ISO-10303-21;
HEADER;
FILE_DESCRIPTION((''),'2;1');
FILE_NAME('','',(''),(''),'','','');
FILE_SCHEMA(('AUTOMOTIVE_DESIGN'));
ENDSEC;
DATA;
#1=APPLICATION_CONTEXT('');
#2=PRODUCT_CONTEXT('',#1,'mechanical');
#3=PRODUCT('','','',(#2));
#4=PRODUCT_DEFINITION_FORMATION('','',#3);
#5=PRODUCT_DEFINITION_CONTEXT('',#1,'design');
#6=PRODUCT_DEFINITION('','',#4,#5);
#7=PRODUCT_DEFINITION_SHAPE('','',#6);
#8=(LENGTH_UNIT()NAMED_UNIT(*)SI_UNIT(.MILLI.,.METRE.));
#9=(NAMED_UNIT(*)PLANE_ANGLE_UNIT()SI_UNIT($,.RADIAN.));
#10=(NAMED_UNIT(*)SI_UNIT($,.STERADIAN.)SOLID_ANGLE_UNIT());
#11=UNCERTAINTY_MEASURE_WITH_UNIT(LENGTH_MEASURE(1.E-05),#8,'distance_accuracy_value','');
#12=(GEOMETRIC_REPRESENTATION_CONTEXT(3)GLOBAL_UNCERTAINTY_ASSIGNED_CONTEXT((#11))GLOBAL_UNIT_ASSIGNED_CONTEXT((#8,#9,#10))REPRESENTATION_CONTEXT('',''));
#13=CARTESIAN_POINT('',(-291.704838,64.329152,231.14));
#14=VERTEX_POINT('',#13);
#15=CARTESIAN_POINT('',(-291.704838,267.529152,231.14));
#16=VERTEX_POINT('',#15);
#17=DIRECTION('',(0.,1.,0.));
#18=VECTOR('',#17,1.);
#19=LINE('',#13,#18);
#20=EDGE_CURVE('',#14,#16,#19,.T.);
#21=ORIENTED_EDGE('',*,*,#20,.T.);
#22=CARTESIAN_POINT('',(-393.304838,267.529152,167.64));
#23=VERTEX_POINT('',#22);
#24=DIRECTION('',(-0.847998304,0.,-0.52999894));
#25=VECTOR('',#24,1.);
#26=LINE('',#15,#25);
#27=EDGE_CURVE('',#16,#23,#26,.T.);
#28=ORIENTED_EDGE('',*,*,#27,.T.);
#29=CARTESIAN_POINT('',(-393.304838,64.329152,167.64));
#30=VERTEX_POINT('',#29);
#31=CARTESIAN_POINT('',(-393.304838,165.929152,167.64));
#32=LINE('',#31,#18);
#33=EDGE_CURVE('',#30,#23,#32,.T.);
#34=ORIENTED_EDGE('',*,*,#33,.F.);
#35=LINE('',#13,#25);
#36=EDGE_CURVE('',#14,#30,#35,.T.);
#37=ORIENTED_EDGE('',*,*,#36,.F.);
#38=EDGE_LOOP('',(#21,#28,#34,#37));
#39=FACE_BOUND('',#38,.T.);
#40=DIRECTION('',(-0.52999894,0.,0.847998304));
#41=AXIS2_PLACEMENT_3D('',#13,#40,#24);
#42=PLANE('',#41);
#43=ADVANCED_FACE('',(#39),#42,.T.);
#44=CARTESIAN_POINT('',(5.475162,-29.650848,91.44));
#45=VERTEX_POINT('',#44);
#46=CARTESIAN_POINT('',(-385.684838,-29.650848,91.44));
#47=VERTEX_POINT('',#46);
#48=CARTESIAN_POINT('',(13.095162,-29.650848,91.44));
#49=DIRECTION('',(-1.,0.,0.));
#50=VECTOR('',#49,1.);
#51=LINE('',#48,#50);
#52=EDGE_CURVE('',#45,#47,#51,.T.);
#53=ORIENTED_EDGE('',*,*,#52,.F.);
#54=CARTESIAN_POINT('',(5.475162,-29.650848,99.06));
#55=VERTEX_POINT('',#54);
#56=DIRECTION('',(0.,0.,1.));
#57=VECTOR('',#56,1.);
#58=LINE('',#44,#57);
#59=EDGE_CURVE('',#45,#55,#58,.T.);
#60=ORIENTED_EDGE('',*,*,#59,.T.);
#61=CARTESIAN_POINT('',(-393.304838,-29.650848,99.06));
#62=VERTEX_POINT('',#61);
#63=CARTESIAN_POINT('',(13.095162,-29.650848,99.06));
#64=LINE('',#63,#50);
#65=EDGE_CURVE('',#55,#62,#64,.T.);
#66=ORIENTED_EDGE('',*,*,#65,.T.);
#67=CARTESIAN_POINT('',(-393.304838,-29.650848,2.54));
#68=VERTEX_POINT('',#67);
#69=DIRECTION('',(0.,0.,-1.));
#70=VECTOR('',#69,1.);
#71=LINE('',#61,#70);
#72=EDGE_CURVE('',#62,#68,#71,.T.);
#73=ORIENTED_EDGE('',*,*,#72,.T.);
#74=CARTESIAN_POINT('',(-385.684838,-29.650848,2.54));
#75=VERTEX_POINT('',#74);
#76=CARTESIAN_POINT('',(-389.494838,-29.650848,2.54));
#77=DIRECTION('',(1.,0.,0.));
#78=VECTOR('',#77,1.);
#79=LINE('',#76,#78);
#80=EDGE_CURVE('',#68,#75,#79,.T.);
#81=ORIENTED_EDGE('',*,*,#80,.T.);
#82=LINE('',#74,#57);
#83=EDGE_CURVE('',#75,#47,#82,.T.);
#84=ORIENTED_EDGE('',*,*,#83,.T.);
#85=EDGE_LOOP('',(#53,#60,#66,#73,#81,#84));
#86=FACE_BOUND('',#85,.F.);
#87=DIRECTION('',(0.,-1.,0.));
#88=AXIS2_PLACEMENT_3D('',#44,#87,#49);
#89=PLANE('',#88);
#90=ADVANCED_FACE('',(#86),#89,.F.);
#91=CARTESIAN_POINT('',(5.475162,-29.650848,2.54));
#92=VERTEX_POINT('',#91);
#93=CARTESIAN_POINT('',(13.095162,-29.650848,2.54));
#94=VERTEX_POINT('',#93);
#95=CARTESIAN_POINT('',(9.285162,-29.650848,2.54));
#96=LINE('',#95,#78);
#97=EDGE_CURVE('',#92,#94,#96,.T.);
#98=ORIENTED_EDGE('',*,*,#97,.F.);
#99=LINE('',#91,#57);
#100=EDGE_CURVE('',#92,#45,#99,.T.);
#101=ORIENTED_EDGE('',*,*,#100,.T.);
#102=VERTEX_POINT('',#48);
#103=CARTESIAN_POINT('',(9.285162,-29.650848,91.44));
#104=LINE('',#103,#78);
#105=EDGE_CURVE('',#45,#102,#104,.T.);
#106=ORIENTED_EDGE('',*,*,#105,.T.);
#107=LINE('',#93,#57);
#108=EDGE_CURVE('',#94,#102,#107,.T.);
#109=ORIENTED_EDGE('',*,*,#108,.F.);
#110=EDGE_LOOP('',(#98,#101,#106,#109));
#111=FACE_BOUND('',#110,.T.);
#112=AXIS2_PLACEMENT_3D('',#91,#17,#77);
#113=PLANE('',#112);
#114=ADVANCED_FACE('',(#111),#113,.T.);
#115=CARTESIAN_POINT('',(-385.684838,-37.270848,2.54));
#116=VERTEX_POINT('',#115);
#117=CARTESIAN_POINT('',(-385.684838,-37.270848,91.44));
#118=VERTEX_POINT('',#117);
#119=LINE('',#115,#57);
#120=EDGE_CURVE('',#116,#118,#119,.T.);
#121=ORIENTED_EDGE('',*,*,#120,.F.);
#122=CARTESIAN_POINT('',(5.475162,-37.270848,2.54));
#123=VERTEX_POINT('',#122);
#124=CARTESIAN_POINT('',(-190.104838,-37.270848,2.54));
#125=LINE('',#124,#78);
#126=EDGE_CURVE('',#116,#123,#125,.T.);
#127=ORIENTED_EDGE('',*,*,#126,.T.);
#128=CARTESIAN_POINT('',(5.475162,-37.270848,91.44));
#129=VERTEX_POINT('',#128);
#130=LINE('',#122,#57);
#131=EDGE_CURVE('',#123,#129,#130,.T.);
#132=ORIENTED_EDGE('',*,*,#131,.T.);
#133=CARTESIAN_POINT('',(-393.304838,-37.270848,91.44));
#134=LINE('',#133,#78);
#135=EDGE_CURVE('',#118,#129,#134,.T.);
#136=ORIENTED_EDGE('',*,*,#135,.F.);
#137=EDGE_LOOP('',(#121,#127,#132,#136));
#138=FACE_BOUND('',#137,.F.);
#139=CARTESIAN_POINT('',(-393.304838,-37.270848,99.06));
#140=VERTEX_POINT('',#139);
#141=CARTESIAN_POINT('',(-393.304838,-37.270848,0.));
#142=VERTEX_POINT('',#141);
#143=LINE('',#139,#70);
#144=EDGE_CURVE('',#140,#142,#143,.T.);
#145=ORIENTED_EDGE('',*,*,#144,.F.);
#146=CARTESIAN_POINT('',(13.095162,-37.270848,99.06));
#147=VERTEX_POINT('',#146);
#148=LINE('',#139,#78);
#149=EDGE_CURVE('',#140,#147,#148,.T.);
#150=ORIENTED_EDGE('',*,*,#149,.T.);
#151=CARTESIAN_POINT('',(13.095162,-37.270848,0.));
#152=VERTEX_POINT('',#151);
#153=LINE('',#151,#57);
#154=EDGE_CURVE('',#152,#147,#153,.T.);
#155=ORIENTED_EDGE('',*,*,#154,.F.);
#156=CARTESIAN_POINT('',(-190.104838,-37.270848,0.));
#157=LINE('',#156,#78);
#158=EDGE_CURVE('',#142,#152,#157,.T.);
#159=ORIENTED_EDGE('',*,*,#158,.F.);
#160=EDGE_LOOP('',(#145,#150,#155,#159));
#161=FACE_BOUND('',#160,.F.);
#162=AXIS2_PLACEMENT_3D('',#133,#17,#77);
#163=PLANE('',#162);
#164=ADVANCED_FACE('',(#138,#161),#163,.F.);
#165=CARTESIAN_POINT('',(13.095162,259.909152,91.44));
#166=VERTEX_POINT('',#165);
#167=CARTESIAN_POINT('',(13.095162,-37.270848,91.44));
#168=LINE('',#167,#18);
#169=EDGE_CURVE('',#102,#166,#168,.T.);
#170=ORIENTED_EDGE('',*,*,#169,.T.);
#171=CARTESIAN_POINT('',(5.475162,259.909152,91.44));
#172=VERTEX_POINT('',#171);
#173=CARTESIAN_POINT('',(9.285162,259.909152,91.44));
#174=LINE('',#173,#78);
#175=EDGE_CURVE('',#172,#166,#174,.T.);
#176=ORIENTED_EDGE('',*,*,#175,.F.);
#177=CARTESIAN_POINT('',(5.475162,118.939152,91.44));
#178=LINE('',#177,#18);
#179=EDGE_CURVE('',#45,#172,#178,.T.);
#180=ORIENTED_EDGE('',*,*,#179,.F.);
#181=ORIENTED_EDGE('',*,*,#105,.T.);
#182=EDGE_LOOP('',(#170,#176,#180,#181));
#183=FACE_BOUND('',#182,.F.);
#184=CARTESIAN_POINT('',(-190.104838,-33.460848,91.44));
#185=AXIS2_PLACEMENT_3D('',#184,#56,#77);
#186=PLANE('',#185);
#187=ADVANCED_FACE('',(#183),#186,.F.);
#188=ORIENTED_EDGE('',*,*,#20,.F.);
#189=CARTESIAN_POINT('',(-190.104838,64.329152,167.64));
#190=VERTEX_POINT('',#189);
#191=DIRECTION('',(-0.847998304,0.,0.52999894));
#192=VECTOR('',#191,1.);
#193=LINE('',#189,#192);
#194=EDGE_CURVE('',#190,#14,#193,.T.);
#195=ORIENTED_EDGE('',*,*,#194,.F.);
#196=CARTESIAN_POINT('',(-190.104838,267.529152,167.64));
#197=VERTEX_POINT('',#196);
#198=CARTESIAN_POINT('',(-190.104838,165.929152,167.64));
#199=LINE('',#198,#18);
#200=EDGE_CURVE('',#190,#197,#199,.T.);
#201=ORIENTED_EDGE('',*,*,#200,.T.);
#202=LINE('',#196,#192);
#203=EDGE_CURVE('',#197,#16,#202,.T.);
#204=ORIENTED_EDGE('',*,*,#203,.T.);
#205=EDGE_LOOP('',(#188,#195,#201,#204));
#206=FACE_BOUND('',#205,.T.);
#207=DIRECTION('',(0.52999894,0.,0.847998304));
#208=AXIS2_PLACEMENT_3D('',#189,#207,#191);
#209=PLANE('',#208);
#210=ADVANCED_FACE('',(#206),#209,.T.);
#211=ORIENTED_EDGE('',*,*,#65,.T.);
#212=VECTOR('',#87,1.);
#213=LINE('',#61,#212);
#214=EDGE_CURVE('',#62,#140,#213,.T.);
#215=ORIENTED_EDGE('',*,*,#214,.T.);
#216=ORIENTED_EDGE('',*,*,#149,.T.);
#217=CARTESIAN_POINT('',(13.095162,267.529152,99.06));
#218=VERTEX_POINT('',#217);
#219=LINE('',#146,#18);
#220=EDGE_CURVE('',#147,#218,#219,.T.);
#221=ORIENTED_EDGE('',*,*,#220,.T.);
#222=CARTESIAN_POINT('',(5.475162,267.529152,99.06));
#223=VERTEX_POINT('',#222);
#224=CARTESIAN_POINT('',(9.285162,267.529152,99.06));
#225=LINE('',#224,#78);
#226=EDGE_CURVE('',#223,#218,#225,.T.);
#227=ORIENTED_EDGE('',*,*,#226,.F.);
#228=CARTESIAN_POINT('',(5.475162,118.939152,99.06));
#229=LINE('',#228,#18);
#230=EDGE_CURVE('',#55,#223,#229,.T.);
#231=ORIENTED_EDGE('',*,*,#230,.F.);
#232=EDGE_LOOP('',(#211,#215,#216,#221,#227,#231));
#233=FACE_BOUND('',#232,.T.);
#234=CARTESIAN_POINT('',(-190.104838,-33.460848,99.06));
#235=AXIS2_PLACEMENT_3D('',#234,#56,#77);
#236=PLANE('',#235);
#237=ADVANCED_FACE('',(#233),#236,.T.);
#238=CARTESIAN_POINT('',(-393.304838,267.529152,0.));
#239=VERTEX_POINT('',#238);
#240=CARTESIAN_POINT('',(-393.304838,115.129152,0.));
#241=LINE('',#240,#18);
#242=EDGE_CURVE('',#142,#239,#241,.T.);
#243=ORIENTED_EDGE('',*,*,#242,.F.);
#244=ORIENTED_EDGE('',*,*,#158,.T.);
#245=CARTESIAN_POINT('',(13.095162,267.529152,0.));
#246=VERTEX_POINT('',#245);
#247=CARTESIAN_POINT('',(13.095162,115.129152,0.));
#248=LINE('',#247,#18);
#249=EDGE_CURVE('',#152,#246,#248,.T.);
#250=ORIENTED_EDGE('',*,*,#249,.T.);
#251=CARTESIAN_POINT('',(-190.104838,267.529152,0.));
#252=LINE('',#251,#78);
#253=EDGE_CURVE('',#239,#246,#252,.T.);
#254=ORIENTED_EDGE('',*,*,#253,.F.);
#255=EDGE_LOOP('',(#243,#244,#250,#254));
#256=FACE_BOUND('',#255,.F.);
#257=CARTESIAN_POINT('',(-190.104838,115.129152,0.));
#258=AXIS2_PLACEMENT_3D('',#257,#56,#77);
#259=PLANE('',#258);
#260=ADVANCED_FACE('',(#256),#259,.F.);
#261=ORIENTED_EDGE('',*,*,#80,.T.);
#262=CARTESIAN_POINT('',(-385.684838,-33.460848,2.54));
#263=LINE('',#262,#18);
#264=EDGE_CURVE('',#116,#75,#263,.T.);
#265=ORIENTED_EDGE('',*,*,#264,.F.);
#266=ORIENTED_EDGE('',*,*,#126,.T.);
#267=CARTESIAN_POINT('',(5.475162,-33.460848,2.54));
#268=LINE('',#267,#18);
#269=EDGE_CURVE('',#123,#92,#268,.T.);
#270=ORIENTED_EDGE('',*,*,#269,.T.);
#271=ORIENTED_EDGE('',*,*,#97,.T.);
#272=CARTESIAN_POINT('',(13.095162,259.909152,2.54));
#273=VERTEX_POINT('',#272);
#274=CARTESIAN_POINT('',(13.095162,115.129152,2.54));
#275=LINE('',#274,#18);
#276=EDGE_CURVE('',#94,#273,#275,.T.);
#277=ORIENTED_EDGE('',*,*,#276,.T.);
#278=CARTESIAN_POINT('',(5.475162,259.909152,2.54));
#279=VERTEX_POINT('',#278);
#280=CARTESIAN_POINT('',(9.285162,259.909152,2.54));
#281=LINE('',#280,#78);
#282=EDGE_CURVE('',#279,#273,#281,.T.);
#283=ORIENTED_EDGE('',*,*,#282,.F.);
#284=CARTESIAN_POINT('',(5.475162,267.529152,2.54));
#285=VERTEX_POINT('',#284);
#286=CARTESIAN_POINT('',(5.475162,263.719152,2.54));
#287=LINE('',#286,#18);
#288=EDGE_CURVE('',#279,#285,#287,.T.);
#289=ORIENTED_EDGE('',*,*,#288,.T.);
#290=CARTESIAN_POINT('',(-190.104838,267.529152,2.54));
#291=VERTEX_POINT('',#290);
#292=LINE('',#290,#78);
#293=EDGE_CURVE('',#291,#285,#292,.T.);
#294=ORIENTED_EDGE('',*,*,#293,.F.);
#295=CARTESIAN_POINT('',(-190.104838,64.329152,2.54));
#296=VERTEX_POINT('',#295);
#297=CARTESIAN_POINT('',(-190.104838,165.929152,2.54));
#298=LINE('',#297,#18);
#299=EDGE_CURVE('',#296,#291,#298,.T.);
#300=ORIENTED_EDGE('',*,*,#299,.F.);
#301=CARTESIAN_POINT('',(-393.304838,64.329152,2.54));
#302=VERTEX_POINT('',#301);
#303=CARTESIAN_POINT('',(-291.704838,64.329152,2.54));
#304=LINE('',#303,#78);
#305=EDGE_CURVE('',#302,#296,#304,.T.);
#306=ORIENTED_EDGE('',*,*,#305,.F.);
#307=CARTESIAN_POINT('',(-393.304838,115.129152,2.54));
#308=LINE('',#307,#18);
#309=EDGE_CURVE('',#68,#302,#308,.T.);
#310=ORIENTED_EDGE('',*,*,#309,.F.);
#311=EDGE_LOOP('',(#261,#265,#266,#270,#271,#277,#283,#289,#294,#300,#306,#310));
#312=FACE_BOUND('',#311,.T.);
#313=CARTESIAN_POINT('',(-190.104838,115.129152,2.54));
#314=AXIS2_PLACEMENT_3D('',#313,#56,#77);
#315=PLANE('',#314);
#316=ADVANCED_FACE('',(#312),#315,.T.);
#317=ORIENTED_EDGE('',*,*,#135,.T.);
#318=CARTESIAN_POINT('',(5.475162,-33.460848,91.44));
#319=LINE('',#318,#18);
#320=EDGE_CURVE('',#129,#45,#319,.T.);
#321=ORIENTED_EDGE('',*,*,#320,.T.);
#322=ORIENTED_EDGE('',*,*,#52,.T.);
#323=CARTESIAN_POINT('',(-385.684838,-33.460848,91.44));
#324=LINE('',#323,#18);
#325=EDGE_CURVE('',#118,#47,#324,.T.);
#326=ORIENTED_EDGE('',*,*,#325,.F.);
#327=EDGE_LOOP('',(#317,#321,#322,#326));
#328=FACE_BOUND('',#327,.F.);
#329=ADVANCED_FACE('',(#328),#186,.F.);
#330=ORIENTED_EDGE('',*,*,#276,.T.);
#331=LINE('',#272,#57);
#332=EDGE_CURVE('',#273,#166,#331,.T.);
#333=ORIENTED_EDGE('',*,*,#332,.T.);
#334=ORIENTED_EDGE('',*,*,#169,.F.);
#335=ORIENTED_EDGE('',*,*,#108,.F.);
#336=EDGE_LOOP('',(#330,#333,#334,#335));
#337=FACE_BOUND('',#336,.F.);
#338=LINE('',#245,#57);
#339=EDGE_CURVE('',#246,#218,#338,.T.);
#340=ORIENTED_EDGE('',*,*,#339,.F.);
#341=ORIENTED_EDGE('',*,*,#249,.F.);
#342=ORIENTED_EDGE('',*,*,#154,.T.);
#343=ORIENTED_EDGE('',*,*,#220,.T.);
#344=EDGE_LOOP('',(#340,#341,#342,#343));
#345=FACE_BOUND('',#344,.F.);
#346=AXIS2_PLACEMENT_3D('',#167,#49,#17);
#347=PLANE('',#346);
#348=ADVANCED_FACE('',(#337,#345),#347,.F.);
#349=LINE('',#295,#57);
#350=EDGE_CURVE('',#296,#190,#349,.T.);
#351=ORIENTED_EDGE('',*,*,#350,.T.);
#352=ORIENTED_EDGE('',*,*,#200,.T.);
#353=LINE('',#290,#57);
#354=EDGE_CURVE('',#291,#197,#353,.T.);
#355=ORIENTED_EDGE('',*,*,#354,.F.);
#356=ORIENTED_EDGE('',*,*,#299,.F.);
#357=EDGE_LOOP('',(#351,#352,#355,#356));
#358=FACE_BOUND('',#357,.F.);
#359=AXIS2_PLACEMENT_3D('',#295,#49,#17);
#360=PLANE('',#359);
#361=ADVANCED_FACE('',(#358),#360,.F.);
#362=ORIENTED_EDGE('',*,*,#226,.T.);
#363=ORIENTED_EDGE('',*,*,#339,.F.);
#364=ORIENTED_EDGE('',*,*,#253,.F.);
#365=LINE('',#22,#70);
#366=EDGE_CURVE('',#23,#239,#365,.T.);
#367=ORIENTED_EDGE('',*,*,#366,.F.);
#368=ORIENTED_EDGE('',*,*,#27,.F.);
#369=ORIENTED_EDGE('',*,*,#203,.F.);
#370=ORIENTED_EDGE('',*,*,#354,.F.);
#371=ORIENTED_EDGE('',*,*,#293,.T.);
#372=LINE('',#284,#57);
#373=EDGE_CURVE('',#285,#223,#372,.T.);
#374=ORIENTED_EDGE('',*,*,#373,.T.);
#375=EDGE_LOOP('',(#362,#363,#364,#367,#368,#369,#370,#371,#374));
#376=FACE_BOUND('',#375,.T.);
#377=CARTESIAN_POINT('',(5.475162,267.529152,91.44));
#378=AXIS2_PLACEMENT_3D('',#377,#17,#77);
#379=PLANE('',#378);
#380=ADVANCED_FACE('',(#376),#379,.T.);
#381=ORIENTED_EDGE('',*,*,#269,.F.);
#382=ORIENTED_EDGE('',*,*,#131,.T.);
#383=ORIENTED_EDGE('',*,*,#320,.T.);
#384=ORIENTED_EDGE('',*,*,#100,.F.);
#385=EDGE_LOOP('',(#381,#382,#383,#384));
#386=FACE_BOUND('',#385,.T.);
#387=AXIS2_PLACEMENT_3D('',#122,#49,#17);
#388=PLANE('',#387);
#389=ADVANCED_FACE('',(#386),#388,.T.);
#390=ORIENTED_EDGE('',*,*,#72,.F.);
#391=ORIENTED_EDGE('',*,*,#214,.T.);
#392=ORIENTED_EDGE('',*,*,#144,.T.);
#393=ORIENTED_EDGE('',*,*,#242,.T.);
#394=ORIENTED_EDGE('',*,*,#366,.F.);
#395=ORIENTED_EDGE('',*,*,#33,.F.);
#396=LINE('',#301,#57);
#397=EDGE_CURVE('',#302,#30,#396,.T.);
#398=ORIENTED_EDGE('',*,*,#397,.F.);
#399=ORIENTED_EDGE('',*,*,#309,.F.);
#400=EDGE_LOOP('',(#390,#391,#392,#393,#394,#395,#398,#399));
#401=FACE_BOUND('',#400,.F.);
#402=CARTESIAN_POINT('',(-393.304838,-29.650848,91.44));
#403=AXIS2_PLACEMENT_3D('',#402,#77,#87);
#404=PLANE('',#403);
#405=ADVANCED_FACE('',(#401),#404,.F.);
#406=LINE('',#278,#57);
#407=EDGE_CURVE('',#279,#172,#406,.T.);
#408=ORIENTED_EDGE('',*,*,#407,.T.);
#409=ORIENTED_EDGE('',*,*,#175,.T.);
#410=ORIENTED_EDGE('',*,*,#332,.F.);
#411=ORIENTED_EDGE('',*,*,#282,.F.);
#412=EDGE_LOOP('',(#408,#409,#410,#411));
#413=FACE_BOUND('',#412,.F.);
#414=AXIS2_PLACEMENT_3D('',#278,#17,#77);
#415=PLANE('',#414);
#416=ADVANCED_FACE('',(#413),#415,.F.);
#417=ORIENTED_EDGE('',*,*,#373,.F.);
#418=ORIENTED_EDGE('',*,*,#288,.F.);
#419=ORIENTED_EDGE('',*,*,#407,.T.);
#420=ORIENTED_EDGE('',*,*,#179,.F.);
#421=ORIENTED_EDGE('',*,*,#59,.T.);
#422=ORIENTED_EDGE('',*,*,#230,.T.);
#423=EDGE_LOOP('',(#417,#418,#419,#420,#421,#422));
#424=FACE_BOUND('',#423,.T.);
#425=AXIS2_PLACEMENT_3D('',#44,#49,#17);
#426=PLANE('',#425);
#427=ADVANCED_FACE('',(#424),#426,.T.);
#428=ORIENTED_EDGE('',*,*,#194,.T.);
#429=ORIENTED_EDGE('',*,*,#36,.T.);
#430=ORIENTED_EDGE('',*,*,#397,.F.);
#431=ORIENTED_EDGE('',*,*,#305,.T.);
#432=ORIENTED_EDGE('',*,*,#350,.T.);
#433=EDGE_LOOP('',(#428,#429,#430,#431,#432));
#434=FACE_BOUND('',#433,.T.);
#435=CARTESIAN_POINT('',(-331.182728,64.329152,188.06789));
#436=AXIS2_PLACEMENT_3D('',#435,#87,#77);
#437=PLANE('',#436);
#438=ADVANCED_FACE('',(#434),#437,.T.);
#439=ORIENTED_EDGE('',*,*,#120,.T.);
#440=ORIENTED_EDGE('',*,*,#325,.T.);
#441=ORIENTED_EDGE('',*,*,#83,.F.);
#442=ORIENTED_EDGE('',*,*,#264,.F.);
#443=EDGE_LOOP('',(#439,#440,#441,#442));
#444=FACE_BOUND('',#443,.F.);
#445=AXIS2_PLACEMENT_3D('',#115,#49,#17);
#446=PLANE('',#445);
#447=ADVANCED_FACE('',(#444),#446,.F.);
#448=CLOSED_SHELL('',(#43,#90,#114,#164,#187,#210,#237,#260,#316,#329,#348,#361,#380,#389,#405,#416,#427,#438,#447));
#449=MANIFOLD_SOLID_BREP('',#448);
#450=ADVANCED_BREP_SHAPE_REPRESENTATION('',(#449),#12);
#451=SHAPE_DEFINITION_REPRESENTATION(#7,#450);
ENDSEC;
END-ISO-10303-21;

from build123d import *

# Parameters (mm, degrees)
F0_W     = 406.4
F0_H     = 304.8
F1_DEPTH = 2.54
F2_W     = 7.62
F2_H     = 7.62
F3_DEPTH = 88.9
F4_W     = 203.2
F4_H     = 203.2
F5_DEPTH = 165.1
F7_DEPTH = 203.2
F8_W     = 7.62
F8_H     = 297.18
F9_DEPTH = 7.62


with BuildPart() as f1:
    # F0 (on Top) → F1 (new body)
    with BuildSketch(Plane.XY):
        with Locations((-190.104838, 115.129152)):
            Rectangle(F0_W, F0_H)
    extrude(amount=F1_DEPTH)

    # F2 (on face) → F3 (join)
    with BuildSketch(Plane.XY.offset(2.54)):
        with Locations((-389.494838, -33.460848)):
            Rectangle(F2_W, F2_H)
        with Locations((9.285162, -33.460848)):
            Rectangle(F2_W, F2_H)
        with Locations((9.285162, 263.719152)):
            Rectangle(F2_W, F2_H)
    extrude(amount=F3_DEPTH)

    # F4 (on face) → F5 (join)
    with BuildSketch(Plane.XY.offset(2.54)):
        with Locations((-291.704838, 165.929152)):
            Rectangle(F4_W, F4_H)
    extrude(amount=F5_DEPTH)

    # F6 (on face) → F7 (join)
    with BuildSketch(Plane.XZ.offset(-64.329152)):
        Polygon((-291.704838, 231.14), (-393.304838, 167.64), (-291.704838, 167.64), align=None)
        Polygon((-291.704838, 231.14), (-291.704838, 167.64), (-190.104838, 167.64), align=None)
    extrude(amount=-F7_DEPTH)

    # F8 (on face) → F9 (join)
    with BuildSketch(Plane.XY.offset(91.44)):
        Polygon((-393.304838, -37.270848), (13.095162, -37.270848), (13.095162, -29.650848), (5.475162, -29.650848), (-393.304838, -29.650848), align=None)
        with Locations((9.285162, 118.939152)):
            Rectangle(F8_W, F8_H)
    extrude(amount=F9_DEPTH)


solid = f1.part
